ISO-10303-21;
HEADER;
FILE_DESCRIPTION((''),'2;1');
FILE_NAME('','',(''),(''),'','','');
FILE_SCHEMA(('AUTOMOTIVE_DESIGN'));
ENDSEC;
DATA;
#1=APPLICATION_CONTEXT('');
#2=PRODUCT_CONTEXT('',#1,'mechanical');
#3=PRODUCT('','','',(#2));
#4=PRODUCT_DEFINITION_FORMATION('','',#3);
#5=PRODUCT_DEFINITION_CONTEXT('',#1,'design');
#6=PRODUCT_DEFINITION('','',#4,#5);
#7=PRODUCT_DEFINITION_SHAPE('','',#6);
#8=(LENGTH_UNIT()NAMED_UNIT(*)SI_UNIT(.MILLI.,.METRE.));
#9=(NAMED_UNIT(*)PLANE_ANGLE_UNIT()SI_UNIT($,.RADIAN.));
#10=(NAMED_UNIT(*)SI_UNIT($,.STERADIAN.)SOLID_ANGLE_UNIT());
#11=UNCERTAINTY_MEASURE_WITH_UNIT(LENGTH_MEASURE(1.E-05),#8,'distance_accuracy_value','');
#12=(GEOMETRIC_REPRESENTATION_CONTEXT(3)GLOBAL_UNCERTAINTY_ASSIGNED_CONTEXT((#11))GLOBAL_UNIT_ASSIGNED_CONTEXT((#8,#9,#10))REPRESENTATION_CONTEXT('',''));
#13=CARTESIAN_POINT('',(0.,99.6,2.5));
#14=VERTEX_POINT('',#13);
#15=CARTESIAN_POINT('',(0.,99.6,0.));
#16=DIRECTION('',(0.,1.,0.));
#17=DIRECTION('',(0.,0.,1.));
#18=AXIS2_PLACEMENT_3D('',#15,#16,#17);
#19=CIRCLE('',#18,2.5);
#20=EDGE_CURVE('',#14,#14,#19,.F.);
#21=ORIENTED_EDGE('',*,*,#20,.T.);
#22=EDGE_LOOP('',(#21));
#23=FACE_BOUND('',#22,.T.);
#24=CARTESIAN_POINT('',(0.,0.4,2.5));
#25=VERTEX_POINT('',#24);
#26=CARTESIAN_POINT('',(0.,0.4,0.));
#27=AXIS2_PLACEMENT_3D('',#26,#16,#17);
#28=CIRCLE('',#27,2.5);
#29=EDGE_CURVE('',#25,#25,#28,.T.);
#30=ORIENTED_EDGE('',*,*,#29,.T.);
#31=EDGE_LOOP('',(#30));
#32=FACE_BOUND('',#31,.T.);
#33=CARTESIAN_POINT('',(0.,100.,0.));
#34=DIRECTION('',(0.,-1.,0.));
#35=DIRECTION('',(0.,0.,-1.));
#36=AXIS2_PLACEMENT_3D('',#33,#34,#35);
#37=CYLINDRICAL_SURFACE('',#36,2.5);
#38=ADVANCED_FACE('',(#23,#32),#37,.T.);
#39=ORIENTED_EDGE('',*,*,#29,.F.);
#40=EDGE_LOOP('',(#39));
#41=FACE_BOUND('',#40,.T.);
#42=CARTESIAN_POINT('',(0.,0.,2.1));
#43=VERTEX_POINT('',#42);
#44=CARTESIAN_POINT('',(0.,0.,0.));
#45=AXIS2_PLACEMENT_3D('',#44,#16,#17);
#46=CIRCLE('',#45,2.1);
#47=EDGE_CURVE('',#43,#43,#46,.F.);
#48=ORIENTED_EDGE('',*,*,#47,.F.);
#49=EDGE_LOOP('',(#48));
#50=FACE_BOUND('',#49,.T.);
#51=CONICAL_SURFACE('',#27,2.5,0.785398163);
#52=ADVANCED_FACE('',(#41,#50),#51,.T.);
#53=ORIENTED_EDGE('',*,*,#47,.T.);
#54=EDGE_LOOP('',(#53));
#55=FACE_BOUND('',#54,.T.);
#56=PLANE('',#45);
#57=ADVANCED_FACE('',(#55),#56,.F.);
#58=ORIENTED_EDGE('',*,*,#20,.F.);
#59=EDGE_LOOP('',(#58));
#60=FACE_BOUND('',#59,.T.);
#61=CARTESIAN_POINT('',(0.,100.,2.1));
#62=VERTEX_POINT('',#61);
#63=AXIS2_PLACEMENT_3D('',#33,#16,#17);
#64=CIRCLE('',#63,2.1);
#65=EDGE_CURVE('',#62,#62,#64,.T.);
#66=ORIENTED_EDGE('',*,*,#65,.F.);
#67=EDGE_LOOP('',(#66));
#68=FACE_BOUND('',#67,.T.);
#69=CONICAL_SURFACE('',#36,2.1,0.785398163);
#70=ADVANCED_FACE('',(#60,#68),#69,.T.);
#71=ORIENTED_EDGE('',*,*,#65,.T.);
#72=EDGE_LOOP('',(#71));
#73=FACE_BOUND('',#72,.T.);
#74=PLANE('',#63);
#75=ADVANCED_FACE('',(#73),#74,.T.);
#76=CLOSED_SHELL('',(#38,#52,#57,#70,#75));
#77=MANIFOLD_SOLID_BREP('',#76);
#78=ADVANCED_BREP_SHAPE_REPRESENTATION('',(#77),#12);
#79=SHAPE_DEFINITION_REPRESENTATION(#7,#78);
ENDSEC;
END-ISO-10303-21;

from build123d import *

# Parameters (mm, degrees)
SKETCH1_R      = 2.5
EXTRUDE1_DEPTH = 100
CHAMFER1_SIZE  = 0.4


with BuildPart() as part:
    # Sketch1 → Extrude1 (new body)
    with BuildSketch(Plane(origin=(0, 0, 0), x_dir=(1, 0, 0), z_dir=(0, 1, 0))):
        with Locations(Location((0, 0, 0), (0, 0, 270))):  # turned: the seam where the file's is
            Circle(SKETCH1_R)
    extrude(amount=EXTRUDE1_DEPTH)

    # Chamfer1
    chamfer1_edges = [part.edges().sort_by_distance(p)[0] for p in [
        (0, 0, -2.5),
        (0, 100, -2.5),
    ]]
    chamfer(chamfer1_edges, length=CHAMFER1_SIZE)


solid = part.part
